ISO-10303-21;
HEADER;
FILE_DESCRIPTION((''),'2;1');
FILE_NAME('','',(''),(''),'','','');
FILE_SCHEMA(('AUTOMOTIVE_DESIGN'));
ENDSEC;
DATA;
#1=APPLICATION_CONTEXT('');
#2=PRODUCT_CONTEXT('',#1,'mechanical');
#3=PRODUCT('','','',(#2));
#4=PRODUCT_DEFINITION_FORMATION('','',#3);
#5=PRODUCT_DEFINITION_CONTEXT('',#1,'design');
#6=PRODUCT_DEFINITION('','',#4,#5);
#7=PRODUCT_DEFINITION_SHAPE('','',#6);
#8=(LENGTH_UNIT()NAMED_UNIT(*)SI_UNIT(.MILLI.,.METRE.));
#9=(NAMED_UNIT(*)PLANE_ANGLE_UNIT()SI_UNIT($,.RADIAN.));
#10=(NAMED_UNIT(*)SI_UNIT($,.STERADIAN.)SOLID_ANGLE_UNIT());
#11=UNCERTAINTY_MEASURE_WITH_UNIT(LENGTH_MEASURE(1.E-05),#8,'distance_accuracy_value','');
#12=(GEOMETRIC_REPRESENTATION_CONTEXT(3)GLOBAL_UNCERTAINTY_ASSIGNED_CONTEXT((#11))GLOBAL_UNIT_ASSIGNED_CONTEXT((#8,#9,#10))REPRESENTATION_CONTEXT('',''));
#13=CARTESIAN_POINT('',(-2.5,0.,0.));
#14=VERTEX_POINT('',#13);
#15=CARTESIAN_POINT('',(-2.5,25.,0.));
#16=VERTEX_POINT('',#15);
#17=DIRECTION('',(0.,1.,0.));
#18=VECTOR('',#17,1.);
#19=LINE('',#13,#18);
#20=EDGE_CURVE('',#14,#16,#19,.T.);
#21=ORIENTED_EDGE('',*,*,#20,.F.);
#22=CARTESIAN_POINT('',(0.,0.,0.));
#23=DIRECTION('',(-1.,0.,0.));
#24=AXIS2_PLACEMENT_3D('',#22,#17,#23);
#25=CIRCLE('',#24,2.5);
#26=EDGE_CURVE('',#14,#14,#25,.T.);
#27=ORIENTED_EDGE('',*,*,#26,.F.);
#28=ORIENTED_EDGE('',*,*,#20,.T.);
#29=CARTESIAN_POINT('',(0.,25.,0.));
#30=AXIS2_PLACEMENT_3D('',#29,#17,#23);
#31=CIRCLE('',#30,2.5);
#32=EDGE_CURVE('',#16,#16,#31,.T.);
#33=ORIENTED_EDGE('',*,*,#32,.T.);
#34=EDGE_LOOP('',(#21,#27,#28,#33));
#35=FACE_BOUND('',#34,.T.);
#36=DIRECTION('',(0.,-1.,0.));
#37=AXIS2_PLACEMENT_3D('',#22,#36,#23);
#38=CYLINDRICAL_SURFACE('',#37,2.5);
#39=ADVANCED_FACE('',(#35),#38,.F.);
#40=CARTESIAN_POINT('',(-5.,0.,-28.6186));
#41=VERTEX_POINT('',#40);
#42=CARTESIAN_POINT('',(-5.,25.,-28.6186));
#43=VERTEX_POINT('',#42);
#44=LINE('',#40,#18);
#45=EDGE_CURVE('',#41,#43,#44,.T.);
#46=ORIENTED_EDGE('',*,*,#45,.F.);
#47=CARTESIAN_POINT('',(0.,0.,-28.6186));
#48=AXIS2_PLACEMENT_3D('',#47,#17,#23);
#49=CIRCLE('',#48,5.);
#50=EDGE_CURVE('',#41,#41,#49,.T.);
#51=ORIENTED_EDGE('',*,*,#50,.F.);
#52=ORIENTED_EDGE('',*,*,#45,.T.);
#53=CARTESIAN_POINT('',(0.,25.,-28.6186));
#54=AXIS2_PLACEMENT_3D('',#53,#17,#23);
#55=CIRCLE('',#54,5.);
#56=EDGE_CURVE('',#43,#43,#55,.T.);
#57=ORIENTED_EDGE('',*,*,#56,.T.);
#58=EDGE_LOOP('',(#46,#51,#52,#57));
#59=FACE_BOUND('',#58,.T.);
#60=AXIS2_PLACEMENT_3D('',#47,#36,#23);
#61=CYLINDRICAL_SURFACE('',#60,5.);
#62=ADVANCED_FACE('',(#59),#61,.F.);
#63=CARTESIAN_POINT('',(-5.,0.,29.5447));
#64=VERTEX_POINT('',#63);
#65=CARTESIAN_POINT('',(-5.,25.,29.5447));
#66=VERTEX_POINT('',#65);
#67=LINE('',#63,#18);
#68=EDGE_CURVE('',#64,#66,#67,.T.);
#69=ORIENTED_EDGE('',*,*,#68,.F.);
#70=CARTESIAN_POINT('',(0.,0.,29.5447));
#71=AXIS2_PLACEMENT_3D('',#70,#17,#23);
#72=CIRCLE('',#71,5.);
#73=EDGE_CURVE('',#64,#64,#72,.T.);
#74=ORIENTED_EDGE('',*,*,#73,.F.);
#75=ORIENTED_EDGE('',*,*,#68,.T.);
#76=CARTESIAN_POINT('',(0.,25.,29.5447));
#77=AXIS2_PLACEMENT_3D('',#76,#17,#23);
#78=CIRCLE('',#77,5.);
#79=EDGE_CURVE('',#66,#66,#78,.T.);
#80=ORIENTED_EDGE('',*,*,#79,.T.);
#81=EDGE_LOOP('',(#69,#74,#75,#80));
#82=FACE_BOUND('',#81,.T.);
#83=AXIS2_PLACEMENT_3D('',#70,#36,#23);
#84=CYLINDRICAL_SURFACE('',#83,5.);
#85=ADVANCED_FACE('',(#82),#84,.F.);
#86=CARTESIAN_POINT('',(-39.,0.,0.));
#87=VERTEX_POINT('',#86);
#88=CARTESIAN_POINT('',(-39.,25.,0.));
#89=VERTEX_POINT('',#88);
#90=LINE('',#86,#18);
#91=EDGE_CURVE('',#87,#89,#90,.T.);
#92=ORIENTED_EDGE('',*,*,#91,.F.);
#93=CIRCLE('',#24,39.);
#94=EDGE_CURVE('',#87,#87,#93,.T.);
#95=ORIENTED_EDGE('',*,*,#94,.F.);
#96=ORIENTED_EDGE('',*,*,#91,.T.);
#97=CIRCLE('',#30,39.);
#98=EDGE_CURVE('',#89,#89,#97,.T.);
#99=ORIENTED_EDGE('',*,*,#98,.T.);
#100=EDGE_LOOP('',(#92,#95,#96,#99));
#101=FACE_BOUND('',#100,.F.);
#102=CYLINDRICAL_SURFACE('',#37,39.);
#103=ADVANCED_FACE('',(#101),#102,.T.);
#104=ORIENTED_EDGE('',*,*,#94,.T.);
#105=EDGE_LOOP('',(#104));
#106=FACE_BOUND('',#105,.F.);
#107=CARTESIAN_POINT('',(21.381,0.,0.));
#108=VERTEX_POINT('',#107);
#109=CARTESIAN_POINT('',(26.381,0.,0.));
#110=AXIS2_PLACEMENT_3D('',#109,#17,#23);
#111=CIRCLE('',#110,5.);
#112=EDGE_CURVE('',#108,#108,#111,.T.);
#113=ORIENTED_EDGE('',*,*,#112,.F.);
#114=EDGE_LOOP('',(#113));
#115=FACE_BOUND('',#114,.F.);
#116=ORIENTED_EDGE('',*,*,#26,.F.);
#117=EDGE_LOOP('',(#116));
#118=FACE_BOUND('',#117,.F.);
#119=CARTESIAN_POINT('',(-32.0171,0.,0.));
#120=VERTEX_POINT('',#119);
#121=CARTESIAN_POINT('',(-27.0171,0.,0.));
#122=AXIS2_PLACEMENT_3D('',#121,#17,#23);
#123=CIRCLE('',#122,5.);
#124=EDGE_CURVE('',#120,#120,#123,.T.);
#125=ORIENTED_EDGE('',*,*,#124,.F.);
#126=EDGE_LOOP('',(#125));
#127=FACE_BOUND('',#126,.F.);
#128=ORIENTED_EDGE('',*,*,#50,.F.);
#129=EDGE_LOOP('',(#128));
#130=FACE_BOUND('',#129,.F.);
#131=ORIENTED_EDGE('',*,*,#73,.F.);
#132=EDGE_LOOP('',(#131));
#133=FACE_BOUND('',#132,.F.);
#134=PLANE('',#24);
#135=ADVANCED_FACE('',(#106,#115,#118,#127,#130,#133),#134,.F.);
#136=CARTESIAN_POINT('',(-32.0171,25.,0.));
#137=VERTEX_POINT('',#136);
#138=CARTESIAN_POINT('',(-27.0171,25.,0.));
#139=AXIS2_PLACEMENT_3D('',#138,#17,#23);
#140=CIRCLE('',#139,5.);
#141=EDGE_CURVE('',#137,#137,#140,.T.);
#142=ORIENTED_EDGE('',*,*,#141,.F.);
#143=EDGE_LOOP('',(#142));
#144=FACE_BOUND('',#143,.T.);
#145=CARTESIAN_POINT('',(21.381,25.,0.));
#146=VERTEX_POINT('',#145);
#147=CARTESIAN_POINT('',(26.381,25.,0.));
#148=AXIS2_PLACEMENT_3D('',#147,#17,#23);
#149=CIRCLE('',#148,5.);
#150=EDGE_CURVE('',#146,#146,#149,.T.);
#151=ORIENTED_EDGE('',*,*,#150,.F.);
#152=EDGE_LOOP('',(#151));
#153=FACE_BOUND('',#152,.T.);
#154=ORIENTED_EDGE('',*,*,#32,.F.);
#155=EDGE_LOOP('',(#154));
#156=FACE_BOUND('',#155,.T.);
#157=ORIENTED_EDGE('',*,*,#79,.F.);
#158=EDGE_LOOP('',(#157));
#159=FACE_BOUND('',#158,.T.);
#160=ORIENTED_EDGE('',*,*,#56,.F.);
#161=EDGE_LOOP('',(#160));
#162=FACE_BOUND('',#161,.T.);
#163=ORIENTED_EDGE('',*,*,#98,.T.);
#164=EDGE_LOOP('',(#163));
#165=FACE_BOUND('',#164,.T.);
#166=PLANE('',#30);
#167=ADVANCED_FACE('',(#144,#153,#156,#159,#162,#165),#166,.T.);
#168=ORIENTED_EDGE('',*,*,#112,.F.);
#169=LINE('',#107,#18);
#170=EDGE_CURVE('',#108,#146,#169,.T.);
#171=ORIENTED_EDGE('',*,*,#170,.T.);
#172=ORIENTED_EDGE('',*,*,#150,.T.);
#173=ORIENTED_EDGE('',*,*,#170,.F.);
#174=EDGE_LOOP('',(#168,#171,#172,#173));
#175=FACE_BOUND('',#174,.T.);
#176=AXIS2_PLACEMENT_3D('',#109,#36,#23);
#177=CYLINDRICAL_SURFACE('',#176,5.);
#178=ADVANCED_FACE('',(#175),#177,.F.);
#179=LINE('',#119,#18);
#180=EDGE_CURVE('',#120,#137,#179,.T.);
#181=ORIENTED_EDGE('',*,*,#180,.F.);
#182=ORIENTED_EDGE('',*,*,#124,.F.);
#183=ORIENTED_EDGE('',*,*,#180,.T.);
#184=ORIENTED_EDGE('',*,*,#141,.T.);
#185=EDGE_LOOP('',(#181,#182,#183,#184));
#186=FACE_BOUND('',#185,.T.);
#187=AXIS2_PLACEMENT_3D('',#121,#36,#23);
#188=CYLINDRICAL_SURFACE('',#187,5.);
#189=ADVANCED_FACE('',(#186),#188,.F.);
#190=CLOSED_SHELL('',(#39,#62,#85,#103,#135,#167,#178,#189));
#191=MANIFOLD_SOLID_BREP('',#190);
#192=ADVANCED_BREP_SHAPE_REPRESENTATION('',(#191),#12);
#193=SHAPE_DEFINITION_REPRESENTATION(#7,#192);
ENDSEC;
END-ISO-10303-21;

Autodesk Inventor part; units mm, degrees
ref_plane "YZ Plane" through (0, 0, 0) normal (1, 0, 0) x (0, 1, 0)
ref_plane "XZ Plane" through (0, 0, 0) normal (0, 1, 0) x (-1, 0, 0)
ref_plane "XY Plane" through (0, 0, 0) normal (0, 0, 1) x (1, 0, 0)
sketch "Sketch1" plane through (0, 0, 0) normal (0, 1, 0) x (-1, 0, 0)
  circle A0 centre (0, 0) radius 39
  circle A1 centre (0, 0) radius 2.5
  circle A2 centre (27.0171, 0) radius 5
  circle A3 centre (0, -28.6186) radius 5
  circle A4 centre (-26.381, 0) radius 5
  circle A5 centre (0, 29.5447) radius 5
  dimension "d0" = 78
  dimension "d1" = 5
  dimension "d2" = 10
  dimension "d3" = 10
  dimension "d4" = 10
  dimension "d5" = 10
extrude "Extrusion1" add sketch "Sketch1" along normal blind 25
properties part number "roller1 grp17"
